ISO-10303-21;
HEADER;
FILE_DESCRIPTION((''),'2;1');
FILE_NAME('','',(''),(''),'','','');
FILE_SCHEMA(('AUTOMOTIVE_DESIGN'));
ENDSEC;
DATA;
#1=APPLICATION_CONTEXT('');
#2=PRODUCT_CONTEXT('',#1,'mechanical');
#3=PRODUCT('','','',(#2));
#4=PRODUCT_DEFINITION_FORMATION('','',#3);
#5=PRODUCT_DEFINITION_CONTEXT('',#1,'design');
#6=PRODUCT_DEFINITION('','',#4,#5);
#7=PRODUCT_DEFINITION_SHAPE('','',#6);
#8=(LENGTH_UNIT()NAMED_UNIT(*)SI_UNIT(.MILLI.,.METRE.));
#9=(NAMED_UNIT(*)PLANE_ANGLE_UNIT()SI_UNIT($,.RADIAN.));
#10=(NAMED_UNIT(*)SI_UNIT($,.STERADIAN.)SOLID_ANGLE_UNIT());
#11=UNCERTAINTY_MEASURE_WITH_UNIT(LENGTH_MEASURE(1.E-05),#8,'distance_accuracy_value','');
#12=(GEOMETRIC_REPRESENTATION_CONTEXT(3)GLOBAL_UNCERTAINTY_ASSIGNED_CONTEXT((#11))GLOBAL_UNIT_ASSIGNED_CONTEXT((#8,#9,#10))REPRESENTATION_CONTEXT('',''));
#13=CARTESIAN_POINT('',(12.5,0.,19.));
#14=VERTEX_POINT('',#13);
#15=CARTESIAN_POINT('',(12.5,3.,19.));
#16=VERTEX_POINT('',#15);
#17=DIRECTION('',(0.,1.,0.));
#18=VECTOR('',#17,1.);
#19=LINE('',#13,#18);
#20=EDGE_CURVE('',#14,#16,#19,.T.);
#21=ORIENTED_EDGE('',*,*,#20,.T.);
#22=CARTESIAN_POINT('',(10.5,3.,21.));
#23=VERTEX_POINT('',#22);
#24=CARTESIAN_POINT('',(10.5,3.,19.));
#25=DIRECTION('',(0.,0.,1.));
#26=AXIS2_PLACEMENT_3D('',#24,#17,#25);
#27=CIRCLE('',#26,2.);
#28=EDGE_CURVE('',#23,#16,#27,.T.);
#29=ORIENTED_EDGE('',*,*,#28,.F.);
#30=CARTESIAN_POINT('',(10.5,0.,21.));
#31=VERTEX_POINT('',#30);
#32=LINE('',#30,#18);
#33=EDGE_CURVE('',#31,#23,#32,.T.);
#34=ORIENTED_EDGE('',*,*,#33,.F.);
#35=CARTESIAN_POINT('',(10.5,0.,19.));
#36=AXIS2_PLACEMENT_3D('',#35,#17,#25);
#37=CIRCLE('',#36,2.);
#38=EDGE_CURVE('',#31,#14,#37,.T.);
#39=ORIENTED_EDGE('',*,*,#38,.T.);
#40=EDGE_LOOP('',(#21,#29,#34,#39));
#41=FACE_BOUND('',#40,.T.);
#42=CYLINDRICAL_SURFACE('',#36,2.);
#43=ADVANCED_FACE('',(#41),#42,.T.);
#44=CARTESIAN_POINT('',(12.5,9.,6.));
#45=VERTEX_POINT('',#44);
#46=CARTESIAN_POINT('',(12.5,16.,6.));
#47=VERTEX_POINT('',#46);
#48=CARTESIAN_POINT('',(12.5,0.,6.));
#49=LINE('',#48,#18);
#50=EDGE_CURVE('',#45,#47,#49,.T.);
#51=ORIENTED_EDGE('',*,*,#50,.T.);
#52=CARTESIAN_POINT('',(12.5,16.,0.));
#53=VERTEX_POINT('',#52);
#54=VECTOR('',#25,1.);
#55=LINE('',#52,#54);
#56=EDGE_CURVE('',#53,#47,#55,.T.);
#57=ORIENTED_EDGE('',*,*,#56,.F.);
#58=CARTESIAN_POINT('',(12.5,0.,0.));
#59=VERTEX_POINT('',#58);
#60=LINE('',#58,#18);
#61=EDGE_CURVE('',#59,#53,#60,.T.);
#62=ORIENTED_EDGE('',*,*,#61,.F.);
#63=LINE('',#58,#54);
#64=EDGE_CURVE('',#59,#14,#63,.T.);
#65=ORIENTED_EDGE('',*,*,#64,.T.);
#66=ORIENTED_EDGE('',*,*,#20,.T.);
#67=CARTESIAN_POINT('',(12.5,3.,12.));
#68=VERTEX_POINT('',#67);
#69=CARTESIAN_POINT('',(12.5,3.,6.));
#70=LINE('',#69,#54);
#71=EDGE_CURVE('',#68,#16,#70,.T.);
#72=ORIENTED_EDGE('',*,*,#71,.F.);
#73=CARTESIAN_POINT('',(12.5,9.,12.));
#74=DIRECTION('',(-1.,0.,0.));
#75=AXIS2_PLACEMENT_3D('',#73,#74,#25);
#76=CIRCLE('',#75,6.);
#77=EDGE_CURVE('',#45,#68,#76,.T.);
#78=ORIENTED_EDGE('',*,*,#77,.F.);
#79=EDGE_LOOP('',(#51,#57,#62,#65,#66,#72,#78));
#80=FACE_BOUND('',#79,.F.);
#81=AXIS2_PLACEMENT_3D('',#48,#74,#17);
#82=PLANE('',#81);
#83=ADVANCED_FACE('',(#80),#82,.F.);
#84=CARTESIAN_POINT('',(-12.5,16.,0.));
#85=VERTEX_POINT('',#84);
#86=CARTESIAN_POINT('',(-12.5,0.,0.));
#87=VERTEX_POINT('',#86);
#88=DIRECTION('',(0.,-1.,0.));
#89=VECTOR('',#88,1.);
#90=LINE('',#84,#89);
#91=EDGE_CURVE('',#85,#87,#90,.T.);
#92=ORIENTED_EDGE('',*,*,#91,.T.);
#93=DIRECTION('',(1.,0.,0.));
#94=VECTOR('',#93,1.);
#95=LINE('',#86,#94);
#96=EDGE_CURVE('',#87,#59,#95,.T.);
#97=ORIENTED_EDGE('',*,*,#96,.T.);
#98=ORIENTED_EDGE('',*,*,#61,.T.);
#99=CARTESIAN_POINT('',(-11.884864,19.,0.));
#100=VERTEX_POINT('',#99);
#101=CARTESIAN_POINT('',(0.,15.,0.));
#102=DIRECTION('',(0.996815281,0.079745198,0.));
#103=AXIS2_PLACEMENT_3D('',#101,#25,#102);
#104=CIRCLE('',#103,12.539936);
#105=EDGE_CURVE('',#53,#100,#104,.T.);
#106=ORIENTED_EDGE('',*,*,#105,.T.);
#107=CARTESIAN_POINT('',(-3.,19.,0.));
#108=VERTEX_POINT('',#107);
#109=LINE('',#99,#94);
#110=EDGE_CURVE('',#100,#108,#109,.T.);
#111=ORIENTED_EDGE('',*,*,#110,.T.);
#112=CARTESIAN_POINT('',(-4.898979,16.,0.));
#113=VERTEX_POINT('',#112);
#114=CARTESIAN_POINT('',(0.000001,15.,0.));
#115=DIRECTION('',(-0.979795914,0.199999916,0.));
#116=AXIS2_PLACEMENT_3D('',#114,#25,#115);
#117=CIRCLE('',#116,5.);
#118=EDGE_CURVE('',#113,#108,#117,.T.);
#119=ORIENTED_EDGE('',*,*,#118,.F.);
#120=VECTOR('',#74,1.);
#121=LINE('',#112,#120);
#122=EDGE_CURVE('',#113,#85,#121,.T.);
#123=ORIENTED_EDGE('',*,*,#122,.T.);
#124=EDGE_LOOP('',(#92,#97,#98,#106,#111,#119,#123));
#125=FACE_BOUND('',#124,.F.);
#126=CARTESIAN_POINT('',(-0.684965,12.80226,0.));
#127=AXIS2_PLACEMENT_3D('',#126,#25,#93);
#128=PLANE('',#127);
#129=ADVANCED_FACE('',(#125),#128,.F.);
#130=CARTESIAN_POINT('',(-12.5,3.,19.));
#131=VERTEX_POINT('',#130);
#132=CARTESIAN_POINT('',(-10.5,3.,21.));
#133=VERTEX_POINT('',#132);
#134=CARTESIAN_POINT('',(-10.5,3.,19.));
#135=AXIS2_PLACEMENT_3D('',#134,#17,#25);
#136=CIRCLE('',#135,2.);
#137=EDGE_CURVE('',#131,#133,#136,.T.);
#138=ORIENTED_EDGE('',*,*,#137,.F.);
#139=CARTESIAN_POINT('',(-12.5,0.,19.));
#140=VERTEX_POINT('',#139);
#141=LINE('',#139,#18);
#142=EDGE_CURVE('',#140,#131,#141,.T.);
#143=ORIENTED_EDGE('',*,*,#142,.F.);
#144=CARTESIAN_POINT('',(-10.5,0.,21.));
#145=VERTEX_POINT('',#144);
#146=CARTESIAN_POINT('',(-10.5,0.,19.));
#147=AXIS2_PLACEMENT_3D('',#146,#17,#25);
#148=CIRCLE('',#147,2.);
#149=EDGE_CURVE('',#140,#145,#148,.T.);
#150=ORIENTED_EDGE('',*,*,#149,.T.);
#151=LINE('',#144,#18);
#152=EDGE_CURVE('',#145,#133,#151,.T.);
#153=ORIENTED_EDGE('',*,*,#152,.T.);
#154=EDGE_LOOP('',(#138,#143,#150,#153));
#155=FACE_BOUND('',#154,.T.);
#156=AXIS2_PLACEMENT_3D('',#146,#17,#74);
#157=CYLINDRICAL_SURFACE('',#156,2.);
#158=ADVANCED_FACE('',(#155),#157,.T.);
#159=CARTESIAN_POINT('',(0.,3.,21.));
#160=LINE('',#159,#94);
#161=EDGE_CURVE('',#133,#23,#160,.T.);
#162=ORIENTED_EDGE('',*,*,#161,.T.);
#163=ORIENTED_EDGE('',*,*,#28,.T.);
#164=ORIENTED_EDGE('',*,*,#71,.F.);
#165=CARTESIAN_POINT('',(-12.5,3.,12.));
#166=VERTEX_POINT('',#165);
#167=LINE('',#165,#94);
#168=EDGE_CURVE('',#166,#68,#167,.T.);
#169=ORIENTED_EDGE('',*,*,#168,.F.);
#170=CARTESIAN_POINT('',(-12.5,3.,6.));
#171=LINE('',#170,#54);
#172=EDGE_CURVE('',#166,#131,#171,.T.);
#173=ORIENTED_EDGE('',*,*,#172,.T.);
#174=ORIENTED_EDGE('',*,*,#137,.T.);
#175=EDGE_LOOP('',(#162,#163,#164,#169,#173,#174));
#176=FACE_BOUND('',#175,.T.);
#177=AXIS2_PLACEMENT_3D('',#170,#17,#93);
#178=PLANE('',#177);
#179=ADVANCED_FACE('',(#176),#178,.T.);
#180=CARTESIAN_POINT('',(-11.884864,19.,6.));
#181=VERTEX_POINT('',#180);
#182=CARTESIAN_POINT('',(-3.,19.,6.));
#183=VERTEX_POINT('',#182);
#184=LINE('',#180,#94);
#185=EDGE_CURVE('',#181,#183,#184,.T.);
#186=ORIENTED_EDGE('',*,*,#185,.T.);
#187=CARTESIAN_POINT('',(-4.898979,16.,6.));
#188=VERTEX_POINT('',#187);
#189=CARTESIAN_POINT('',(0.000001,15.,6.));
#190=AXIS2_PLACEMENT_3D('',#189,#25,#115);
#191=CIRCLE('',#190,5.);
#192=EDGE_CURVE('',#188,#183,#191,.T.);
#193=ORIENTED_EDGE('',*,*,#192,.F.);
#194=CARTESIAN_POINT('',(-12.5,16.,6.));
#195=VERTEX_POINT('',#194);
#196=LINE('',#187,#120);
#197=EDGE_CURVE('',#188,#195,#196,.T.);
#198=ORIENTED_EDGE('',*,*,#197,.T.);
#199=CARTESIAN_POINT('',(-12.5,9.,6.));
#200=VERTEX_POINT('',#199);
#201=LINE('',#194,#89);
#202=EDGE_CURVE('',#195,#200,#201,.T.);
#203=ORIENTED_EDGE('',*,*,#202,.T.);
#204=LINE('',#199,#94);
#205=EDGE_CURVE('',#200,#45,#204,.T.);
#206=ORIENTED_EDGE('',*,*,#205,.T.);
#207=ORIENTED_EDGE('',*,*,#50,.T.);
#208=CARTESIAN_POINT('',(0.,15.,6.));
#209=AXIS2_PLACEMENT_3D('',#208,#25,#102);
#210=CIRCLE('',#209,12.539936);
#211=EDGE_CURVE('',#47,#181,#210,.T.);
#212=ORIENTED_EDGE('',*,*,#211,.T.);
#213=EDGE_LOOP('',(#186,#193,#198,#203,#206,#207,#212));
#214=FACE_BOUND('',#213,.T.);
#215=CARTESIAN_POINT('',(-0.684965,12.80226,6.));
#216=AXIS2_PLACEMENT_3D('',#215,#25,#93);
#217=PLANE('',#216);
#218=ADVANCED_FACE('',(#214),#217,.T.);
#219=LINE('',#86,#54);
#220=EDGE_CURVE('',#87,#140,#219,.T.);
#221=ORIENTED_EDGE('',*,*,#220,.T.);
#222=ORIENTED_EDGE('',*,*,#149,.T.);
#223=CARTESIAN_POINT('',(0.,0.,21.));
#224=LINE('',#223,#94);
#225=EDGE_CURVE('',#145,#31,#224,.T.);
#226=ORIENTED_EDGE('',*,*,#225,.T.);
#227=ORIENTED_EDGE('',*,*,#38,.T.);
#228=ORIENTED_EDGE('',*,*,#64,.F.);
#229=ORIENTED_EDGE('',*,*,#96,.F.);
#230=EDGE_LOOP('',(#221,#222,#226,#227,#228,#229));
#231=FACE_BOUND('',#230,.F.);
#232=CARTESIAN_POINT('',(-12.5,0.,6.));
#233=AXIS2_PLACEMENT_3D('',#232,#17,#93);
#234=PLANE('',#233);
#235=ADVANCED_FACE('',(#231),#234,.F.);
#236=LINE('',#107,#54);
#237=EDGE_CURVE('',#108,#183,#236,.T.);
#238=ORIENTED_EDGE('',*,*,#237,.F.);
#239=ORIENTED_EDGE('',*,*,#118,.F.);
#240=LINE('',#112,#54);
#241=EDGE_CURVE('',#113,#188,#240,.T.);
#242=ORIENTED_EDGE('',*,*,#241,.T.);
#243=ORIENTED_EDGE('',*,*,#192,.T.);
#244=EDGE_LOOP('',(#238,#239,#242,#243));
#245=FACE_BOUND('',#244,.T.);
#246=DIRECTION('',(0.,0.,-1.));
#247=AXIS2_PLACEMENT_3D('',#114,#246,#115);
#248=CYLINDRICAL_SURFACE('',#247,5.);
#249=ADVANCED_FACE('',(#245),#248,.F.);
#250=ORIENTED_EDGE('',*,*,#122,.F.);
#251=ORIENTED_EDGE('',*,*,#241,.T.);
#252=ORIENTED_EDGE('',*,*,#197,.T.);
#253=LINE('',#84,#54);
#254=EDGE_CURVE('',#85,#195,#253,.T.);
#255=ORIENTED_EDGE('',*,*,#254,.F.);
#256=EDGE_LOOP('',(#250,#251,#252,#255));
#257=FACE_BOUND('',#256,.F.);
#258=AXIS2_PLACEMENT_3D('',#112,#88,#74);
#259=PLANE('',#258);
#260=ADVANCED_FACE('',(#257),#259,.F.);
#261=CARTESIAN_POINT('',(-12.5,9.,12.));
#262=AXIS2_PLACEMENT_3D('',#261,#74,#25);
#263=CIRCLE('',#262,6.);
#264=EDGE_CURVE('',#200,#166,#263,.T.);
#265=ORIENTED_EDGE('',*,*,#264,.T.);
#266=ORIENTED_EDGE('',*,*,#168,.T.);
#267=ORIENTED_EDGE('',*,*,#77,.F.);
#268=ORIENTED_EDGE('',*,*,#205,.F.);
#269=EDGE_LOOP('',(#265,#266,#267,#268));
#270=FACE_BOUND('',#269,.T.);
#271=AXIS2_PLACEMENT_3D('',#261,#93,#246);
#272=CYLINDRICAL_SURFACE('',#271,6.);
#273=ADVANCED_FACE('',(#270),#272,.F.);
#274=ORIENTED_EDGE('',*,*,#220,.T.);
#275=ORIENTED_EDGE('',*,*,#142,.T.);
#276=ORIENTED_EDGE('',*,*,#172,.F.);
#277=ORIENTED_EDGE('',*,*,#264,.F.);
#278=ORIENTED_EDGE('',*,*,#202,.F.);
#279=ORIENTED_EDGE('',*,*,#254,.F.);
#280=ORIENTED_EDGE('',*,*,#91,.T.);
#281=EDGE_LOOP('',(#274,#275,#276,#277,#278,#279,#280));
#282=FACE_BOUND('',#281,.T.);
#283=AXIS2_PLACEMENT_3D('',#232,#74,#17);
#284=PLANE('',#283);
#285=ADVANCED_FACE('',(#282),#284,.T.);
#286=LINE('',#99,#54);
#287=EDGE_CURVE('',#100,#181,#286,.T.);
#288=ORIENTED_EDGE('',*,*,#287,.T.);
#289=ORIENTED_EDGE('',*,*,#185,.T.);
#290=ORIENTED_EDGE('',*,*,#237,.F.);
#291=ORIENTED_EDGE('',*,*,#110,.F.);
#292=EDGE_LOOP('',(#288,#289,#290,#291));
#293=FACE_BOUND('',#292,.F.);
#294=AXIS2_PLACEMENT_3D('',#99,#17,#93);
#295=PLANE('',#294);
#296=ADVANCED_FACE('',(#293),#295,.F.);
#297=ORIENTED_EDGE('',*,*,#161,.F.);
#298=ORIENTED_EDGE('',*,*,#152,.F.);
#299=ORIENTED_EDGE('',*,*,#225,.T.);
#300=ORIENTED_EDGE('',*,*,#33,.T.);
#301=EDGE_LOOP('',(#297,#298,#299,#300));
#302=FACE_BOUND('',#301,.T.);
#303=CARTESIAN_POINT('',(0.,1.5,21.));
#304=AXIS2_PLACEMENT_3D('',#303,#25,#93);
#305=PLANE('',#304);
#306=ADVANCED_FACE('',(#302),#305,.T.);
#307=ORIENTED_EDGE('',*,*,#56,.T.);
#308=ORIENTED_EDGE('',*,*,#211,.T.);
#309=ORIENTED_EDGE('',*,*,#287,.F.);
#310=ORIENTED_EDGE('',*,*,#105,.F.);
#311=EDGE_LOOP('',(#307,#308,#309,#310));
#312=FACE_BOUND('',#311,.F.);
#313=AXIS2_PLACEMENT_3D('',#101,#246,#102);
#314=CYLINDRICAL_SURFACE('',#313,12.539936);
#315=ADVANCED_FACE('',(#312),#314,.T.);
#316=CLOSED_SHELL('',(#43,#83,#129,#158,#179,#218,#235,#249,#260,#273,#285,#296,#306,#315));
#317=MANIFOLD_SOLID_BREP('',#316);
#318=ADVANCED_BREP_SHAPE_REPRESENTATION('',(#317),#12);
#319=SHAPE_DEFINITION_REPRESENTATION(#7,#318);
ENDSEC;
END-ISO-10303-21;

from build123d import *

# Parameters (mm, degrees)
PAD_DEPTH    = 6
SKETCH001_W  = 25
SKETCH001_H  = 3
PAD001_DEPTH = 15
FILLET_R     = 6
FILLET001_R  = 2


with BuildPart() as part:
    # Sketch → Pad (new body)
    with BuildSketch(Plane.XY):
        with BuildLine():
            Line((-12.5, 0), (12.5, 0))
            Line((12.5, 0), (12.5, 16))
            ThreePointArc((12.5, 16), (1.531208, 27.4461), (-11.884864, 19))
            Line((-11.884864, 19), (-3, 19))
            ThreePointArc((-4.898979, 16), (4.224745, 12.325765), (-3, 19))
            Line((-4.898979, 16), (-12.5, 16))
            Line((-12.5, 16), (-12.5, 0))
        make_face()
    extrude(amount=PAD_DEPTH)

    # Sketch001 → Pad001 (new body)
    with BuildSketch(Plane.XY.offset(6)):
        with Locations((0, 1.5)):
            Rectangle(SKETCH001_W, SKETCH001_H)
    extrude(amount=PAD001_DEPTH)

    # Fillet
    fillet_edges = [part.edges().sort_by_distance(p)[0] for p in [
        (0, 3, 6),
    ]]
    fillet(fillet_edges, radius=FILLET_R)

    # Fillet001
    fillet001_edges = [part.edges().sort_by_distance(p)[0] for p in [
        (-12.5, 1.5, 21),
        (12.5, 1.5, 21),
    ]]
    fillet(fillet001_edges, radius=FILLET001_R)


solid = part.part
